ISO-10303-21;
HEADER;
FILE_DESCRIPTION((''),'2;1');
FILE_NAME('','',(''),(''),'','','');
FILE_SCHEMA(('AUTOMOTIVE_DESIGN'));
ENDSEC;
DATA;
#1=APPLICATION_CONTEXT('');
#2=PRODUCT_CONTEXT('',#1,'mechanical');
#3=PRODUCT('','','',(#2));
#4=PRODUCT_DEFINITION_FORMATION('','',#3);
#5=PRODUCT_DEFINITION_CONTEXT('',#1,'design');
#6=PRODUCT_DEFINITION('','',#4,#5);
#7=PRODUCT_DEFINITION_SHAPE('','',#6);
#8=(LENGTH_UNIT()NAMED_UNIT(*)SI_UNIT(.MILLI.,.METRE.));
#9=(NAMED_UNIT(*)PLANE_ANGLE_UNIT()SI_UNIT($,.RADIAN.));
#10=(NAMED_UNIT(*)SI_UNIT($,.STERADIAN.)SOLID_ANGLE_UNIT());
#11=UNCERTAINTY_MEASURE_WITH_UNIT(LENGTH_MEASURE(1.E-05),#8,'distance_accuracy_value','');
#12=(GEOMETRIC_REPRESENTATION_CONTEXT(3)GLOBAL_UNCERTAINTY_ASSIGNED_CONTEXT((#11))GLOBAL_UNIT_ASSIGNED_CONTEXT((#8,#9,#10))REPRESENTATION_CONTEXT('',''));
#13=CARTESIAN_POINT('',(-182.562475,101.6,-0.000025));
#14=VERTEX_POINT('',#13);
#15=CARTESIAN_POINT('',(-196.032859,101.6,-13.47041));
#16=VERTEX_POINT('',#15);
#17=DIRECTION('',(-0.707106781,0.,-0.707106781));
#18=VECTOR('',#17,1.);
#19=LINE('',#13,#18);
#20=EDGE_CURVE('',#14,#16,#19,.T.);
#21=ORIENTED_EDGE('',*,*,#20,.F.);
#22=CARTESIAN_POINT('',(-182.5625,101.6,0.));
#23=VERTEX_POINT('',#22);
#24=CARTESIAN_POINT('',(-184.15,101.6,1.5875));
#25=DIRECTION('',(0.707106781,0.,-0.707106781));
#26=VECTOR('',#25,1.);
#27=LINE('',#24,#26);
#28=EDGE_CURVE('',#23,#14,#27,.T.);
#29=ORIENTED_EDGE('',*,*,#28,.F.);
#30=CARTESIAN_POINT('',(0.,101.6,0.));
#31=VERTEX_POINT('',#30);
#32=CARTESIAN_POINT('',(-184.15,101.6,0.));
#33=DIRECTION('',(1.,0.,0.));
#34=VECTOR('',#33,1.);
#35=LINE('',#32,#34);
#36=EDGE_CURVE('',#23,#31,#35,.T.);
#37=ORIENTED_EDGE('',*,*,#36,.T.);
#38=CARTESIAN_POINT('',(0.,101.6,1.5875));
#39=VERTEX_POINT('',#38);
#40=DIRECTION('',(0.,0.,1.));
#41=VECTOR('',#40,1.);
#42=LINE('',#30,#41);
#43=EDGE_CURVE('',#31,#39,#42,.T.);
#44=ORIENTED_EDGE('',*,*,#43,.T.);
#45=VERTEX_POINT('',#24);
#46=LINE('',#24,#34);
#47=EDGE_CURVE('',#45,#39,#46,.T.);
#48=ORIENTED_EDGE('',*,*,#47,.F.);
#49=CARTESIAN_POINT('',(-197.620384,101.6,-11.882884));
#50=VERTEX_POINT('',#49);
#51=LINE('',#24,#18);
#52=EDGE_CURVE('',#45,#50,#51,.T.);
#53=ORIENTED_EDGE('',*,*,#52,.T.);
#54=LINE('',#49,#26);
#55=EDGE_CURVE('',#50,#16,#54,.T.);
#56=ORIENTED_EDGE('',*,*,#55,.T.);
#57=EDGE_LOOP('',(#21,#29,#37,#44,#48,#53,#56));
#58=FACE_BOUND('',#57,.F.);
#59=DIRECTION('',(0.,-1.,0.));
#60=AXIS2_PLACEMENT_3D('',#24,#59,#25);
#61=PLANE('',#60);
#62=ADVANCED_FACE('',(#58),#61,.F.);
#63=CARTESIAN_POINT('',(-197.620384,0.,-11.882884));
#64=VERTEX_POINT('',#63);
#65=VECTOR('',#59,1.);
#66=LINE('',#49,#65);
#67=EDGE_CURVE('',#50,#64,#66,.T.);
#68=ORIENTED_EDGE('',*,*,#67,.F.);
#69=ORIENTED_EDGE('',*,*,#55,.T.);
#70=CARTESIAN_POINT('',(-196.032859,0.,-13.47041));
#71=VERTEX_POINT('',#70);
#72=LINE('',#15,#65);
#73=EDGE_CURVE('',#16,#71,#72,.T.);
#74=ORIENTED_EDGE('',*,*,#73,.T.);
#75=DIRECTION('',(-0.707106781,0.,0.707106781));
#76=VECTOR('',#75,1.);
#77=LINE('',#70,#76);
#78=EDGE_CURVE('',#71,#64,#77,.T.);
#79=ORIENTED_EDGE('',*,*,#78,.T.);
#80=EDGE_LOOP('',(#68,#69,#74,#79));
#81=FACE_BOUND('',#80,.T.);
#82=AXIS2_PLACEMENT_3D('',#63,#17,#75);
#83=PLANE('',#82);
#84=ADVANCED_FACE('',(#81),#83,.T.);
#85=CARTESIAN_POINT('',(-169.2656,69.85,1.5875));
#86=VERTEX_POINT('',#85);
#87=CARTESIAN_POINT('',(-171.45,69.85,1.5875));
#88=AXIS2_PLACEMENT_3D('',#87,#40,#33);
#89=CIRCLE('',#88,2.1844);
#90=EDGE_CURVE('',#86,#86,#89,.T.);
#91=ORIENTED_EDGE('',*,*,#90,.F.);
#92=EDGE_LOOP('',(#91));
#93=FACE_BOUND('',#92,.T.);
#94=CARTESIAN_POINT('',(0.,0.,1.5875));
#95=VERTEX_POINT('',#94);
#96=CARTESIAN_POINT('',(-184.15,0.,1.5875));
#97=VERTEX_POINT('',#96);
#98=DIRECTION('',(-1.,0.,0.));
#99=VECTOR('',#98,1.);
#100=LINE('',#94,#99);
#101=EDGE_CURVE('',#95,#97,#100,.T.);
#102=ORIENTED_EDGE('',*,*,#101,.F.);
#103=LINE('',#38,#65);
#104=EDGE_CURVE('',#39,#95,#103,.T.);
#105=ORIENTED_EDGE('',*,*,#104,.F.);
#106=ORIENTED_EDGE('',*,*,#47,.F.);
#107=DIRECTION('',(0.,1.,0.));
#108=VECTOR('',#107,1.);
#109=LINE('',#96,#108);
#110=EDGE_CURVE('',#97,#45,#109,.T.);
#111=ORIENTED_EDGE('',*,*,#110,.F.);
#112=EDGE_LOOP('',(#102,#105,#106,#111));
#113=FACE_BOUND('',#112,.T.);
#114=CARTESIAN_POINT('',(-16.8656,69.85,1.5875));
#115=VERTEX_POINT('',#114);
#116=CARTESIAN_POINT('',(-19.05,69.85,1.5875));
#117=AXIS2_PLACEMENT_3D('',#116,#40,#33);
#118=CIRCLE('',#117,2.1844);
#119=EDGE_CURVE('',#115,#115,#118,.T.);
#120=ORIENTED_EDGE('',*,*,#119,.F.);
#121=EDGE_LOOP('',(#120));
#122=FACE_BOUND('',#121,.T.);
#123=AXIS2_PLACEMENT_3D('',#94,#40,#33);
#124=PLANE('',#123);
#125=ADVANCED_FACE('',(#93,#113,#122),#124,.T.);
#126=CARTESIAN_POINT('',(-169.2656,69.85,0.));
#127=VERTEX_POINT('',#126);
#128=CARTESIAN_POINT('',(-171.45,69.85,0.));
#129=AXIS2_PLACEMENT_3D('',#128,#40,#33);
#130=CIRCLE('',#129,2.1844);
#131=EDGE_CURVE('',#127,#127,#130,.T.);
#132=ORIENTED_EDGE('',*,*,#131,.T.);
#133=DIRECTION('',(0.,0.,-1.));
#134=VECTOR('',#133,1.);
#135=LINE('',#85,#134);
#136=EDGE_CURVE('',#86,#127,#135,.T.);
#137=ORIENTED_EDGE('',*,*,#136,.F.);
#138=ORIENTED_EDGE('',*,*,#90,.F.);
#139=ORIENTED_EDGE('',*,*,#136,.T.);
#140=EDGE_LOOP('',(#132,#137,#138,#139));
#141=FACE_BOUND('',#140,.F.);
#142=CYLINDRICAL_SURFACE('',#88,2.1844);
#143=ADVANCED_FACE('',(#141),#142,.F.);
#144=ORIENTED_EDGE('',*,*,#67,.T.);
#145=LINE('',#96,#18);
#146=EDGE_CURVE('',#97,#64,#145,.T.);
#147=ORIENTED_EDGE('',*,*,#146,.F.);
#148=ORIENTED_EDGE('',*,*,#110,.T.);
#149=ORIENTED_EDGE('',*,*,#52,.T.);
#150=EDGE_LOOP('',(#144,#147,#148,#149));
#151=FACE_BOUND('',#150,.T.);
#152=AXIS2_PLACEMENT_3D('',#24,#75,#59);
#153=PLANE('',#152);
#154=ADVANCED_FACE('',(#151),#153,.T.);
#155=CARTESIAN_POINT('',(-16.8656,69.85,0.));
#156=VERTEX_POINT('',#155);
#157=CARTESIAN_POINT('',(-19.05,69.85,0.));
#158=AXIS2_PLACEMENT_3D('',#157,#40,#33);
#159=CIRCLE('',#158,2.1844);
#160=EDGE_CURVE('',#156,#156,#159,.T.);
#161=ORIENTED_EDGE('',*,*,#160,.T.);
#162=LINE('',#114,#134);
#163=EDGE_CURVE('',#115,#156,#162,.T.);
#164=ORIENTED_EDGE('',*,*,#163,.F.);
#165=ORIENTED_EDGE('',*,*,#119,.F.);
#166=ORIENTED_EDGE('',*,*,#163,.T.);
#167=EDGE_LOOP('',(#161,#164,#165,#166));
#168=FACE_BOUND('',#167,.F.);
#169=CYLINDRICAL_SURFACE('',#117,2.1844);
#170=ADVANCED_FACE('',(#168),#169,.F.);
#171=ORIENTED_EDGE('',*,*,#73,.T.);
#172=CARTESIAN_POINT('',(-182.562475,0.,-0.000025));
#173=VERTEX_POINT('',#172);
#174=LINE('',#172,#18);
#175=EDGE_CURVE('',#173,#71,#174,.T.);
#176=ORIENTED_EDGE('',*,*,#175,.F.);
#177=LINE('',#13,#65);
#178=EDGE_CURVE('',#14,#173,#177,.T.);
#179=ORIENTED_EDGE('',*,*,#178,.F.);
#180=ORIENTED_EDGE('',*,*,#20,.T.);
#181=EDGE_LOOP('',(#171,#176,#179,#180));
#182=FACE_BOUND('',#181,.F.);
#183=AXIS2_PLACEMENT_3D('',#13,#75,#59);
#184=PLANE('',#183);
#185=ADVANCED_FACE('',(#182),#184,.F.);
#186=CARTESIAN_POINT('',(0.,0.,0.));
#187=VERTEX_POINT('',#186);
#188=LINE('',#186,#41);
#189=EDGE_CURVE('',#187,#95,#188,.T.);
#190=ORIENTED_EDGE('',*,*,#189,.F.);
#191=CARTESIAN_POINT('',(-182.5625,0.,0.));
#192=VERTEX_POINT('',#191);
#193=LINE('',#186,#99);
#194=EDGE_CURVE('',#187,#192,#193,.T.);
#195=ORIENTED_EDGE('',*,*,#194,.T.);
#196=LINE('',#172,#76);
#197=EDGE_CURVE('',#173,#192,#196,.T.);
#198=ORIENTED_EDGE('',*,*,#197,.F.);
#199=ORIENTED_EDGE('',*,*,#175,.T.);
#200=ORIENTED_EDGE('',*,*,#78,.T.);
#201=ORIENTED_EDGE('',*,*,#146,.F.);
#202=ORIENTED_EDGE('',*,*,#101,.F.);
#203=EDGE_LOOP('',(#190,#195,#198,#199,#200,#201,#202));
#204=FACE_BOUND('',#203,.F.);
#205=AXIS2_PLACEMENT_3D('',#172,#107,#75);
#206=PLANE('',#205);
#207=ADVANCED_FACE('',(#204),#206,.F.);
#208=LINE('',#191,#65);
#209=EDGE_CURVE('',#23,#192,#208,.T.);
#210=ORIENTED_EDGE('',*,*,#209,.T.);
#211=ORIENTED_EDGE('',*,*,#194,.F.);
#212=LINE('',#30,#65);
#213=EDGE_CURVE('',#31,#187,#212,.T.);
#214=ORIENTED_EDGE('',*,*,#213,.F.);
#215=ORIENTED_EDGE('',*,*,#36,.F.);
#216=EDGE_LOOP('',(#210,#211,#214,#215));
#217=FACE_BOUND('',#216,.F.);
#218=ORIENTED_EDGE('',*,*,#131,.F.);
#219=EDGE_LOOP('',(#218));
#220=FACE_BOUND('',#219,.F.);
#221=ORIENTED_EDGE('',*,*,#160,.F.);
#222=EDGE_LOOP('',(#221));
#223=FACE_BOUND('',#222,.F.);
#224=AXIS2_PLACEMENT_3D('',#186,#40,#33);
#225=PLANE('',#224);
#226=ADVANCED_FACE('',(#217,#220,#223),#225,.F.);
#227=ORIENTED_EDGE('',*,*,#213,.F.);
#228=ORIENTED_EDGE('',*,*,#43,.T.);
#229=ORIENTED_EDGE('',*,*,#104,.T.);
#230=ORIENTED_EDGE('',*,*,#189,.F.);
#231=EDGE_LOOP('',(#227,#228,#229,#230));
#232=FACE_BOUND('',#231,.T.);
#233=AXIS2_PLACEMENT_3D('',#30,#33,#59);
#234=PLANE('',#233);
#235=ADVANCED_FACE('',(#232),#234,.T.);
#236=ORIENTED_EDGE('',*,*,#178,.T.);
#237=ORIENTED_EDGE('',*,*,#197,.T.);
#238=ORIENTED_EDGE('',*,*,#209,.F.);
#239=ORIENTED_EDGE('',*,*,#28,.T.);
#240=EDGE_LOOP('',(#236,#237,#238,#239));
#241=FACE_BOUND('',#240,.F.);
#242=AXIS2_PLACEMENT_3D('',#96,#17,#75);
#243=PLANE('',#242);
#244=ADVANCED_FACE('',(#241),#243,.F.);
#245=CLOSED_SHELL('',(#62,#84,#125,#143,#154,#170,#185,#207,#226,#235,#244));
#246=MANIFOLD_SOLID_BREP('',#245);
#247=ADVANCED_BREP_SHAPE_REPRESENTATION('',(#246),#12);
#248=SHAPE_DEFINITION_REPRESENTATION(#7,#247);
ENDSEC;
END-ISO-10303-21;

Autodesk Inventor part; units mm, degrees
ref_plane "YZ Plane" through (0, 0, 0) normal (1, 0, 0) x (0, 1, 0)
ref_plane "XZ Plane" through (0, 0, 0) normal (0, 1, 0) x (-1, 0, 0)
ref_plane "XY Plane" through (0, 0, 0) normal (0, 0, 1) x (1, 0, 0)
sketch "Sketch1" plane through (0, 0, 0) normal (0, 0, 1) x (1, 0, 0)
  line L0 (0, 0) -> (-184.15, 0)
  line L1 (-184.15, 0) -> (-184.15, 101.6)
  line L2 (-184.15, 101.6) -> (0, 101.6)
  line L3 (0, 101.6) -> (0, 0)
  dimension "d0" = 184.15
  dimension "d1" = 101.6
extrude "Extrusion1" add sketch "Sketch1" along normal blind 1.5875
chamfer "Chamfer1" distance 1.5875 angle 45 1 edges at (-184.15, 50.8, 0)
sketch "Sketch2" plane through (-184.15, 0, 1.5875) normal (-0.7071, 0, -0.7071) x (-0.7071, 0, 0.7071)
  line L0 (0, 101.6) -> (0, 0) projected
  line L1 (-2.2451, 101.6) -> (-2.2451, 0) projected
  line L2 (0, 101.6) -> (-2.2451, 101.6) projected
  line L3 (-2.2451, 0) -> (0, 0) projected
  point P0 (-131.3362, 0)
extrude "Extrusion2" add sketch "Sketch2" along normal blind 19.05
sketch "Sketch3" plane through (0, 0, 1.5875) normal (0, 0, 1) x (1, 0, 0)
  circle A0 centre (-19.05, 69.85) radius 2.1844
  line L0 (-184.15, 0) -> (0, 0) projected
  line L1 (-184.15, 101.6) -> (-184.15, 0) projected
  circle A1 centre (-171.45, 69.85) radius 2.1844
  point P0 (-231.8428, 57.2075)
  point P1 (-184.15, 46.6344)
  point P2 (-184.15, 42.2656)
  dimension "d9" = 4.3688
  dimension "d10" = 69.85
  dimension "d11" = 165.1
  dimension "d17" = 4.3688
  dimension "d18" = 152.4
extrude "Extrusion3" cut sketch "Sketch3" against normal blind 19.05
properties part number "frontwing"
